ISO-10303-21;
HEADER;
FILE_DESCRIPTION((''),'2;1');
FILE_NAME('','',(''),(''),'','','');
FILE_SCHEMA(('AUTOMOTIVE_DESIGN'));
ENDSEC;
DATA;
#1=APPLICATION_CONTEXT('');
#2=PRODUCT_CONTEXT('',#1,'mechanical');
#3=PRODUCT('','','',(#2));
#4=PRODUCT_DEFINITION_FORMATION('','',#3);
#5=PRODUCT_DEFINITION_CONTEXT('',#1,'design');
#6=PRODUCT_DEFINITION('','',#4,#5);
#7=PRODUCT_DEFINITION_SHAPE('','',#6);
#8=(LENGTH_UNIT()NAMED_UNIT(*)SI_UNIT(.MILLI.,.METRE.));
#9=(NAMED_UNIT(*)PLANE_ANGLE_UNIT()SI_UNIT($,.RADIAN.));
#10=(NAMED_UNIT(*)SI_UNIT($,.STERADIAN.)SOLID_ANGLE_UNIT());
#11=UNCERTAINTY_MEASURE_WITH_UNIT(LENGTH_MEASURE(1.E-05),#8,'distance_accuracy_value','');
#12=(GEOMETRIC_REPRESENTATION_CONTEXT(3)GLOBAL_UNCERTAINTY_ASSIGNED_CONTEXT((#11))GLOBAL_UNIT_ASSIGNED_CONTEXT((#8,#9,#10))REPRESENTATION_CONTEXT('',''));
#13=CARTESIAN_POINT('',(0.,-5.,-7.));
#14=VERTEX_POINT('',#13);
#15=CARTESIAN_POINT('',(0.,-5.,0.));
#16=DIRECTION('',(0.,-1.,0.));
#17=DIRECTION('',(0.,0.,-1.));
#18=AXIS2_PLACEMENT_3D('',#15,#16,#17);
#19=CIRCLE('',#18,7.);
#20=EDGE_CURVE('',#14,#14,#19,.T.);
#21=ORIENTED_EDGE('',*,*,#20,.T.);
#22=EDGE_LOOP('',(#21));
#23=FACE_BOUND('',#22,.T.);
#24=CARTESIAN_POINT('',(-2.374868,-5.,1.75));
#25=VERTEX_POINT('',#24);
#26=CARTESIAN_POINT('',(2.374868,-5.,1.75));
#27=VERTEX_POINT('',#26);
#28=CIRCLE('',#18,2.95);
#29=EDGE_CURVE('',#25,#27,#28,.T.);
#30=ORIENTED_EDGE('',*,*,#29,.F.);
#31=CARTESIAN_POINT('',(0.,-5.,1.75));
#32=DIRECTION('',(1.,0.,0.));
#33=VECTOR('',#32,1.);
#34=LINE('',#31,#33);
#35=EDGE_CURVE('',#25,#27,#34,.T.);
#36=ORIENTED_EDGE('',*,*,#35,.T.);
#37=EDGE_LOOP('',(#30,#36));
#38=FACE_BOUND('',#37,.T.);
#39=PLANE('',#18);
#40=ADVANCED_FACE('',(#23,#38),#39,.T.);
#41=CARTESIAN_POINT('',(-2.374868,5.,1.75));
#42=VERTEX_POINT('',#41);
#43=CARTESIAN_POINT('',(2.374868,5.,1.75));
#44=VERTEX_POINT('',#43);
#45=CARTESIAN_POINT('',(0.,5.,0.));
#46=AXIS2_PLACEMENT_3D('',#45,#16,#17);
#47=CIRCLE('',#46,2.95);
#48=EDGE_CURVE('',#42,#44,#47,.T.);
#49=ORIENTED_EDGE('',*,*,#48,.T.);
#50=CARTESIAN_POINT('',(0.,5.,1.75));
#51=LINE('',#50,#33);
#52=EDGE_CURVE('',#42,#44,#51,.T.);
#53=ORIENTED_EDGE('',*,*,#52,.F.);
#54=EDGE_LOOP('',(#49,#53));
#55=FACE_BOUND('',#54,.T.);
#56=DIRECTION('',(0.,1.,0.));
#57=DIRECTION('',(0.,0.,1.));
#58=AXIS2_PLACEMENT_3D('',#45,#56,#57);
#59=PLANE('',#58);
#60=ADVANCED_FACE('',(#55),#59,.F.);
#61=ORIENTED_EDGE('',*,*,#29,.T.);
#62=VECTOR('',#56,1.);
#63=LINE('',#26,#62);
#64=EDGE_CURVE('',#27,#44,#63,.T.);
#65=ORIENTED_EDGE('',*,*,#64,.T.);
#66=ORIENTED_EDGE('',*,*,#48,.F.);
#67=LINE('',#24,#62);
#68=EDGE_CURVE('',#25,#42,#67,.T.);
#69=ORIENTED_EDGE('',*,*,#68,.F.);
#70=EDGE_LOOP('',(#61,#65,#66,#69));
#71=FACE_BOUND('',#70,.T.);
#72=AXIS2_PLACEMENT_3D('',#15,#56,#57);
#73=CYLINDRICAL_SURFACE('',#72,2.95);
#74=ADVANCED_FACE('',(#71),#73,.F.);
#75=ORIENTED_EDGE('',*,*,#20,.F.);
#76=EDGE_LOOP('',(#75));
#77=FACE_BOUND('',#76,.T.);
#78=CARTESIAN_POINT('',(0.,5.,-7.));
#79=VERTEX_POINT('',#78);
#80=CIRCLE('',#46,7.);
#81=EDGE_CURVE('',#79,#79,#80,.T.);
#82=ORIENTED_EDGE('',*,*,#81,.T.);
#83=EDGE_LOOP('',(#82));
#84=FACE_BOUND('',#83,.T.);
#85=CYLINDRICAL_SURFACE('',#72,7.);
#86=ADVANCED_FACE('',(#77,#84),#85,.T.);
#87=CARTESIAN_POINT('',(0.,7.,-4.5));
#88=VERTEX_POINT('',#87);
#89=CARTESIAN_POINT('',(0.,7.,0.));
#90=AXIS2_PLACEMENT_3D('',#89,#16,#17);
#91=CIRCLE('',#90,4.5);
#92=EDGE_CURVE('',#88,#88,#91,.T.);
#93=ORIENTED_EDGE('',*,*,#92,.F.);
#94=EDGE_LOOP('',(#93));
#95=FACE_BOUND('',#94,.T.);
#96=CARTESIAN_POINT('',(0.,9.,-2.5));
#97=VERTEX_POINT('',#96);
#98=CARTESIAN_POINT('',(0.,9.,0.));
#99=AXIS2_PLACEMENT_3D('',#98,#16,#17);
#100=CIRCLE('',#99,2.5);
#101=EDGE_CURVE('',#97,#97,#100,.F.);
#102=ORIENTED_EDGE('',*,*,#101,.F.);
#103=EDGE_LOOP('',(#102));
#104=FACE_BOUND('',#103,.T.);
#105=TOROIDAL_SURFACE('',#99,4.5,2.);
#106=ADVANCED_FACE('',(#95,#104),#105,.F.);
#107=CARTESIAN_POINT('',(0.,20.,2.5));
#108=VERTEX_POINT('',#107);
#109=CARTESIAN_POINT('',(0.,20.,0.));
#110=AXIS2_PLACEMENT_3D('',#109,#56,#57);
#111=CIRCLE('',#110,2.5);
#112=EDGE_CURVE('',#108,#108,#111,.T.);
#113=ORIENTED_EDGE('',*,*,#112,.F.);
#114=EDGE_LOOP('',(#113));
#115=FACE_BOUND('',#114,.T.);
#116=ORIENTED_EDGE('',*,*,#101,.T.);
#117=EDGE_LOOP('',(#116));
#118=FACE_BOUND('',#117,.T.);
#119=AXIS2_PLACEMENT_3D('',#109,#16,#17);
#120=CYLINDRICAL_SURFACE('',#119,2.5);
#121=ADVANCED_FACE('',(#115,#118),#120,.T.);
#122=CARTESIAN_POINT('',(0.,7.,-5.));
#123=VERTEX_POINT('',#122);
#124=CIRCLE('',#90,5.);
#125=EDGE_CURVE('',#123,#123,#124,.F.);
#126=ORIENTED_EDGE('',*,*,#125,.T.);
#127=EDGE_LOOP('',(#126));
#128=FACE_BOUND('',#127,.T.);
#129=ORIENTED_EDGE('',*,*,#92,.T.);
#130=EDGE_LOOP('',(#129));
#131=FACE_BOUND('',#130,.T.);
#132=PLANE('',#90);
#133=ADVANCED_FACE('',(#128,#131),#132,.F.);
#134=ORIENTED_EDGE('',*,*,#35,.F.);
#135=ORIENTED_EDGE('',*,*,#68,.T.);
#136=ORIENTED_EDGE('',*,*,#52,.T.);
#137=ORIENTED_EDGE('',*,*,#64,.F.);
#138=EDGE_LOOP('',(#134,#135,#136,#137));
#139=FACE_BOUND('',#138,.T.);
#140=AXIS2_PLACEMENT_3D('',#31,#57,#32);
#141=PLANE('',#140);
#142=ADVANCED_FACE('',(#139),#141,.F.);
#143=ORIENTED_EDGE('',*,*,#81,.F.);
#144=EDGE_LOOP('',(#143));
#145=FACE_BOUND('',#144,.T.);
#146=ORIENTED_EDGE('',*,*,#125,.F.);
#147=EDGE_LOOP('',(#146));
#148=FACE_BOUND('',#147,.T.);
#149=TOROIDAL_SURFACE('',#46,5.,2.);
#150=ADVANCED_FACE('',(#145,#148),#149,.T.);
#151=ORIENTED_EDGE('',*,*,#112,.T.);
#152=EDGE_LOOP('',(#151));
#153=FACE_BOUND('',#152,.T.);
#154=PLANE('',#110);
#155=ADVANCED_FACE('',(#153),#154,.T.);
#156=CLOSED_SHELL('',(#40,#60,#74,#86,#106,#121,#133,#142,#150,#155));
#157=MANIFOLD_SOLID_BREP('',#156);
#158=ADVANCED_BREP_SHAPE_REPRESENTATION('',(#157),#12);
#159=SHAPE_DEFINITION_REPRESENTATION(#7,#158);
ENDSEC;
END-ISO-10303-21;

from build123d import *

# Parameters (mm, degrees)
SKETCH1_R           = 12.5
SKETCH1_R_2         = 2
BOSS_EXTRUDE1_DEPTH = 5
SKETCH2_R           = 2.5
BOSS_EXTRUDE2_DEPTH = 15
SKETCH3_R           = 5
CUT_EXTRUDE1_DEPTH  = 2
SKETCH4_R           = 12.5
CUT_EXTRUDE2_DEPTH  = 24.184046239
SKETCH5_R           = 7
BOSS_EXTRUDE3_DEPTH = 10
BOSS_EXTRUDE4_START = -2
SKETCH5_3_R         = 7
BOSS_EXTRUDE4_DEPTH = 2
FILLET1_R           = 2
FILLET2_R           = 2


with BuildPart() as part:
    # Sketch1 → Boss-Extrude1 (new body)
    with BuildSketch(Plane(origin=(0, 0, 0), x_dir=(1, 0, 0), z_dir=(0, 1, 0))):
        Circle(SKETCH1_R)
        with Locations((-7.5, 0)):
            Circle(SKETCH1_R_2, mode=Mode.SUBTRACT)
        with BuildLine():
            ThreePointArc((2, -7.5), (-1.414213562, -8.914213562), (0, -5.5))
            ThreePointArc((0, -5.5), (1.414213562, -6.085786438), (2, -7.5))
        make_face(mode=Mode.SUBTRACT)
        with BuildLine():
            ThreePointArc((9.5, 0), (7.5, -2), (5.5, 0))
            ThreePointArc((5.5, 0), (7.5, 2), (9.5, 0))
        make_face(mode=Mode.SUBTRACT)
        with BuildLine():
            ThreePointArc((2, 7.5), (1.414213562, 6.085786438), (0, 5.5))
            ThreePointArc((0, 5.5), (-1.414213562, 8.914213562), (2, 7.5))
        make_face(mode=Mode.SUBTRACT)
    extrude(amount=BOSS_EXTRUDE1_DEPTH)

    # Sketch2 → Boss-Extrude2 (add)
    with BuildSketch(Plane(origin=(0, 5, 0), x_dir=(1, 0, 0), z_dir=(0, 1, 0))):
        Circle(SKETCH2_R)
    extrude(amount=BOSS_EXTRUDE2_DEPTH)

    # Sketch3 → Cut-Extrude1 (cut)
    with BuildSketch(Plane.XZ):
        Circle(SKETCH3_R)
    extrude(amount=-CUT_EXTRUDE1_DEPTH, mode=Mode.SUBTRACT)

    # Sketch4 → Cut-Extrude2 (cut, through all)
    with BuildSketch(Plane(origin=(0, 5, 0), x_dir=(1, 0, 0), z_dir=(0, 1, 0))):
        Circle(SKETCH4_R)
    extrude(amount=-CUT_EXTRUDE2_DEPTH, mode=Mode.SUBTRACT)

    # Sketch5 → Boss-Extrude3 (add)
    with BuildSketch(Plane.XZ.offset(-5)):
        Circle(SKETCH5_R)
        with BuildLine():
            ThreePointArc((2.374868417, 1.75), (0, -2.95), (-2.374868417, 1.75))
            Line((-2.374868417, 1.75), (2.374868417, 1.75))
        make_face(mode=Mode.SUBTRACT)
    extrude(amount=BOSS_EXTRUDE3_DEPTH)

    # Sketch5<3> → Boss-Extrude4 (add)
    with BuildSketch(Plane.XZ.offset(-5).offset(BOSS_EXTRUDE4_START)):
        Circle(SKETCH5_3_R)
    extrude(amount=BOSS_EXTRUDE4_DEPTH)

    # Fillet1
    fillet1_edges = [part.edges().sort_by_distance(p)[0] for p in [
        (-2.5, 7, 0),
    ]]
    fillet(fillet1_edges, radius=FILLET1_R)

    # Fillet2
    fillet2_edges = [part.edges().sort_by_distance(p)[0] for p in [
        (-7, 7, 0),
    ]]
    fillet(fillet2_edges, radius=FILLET2_R)


solid = part.part
